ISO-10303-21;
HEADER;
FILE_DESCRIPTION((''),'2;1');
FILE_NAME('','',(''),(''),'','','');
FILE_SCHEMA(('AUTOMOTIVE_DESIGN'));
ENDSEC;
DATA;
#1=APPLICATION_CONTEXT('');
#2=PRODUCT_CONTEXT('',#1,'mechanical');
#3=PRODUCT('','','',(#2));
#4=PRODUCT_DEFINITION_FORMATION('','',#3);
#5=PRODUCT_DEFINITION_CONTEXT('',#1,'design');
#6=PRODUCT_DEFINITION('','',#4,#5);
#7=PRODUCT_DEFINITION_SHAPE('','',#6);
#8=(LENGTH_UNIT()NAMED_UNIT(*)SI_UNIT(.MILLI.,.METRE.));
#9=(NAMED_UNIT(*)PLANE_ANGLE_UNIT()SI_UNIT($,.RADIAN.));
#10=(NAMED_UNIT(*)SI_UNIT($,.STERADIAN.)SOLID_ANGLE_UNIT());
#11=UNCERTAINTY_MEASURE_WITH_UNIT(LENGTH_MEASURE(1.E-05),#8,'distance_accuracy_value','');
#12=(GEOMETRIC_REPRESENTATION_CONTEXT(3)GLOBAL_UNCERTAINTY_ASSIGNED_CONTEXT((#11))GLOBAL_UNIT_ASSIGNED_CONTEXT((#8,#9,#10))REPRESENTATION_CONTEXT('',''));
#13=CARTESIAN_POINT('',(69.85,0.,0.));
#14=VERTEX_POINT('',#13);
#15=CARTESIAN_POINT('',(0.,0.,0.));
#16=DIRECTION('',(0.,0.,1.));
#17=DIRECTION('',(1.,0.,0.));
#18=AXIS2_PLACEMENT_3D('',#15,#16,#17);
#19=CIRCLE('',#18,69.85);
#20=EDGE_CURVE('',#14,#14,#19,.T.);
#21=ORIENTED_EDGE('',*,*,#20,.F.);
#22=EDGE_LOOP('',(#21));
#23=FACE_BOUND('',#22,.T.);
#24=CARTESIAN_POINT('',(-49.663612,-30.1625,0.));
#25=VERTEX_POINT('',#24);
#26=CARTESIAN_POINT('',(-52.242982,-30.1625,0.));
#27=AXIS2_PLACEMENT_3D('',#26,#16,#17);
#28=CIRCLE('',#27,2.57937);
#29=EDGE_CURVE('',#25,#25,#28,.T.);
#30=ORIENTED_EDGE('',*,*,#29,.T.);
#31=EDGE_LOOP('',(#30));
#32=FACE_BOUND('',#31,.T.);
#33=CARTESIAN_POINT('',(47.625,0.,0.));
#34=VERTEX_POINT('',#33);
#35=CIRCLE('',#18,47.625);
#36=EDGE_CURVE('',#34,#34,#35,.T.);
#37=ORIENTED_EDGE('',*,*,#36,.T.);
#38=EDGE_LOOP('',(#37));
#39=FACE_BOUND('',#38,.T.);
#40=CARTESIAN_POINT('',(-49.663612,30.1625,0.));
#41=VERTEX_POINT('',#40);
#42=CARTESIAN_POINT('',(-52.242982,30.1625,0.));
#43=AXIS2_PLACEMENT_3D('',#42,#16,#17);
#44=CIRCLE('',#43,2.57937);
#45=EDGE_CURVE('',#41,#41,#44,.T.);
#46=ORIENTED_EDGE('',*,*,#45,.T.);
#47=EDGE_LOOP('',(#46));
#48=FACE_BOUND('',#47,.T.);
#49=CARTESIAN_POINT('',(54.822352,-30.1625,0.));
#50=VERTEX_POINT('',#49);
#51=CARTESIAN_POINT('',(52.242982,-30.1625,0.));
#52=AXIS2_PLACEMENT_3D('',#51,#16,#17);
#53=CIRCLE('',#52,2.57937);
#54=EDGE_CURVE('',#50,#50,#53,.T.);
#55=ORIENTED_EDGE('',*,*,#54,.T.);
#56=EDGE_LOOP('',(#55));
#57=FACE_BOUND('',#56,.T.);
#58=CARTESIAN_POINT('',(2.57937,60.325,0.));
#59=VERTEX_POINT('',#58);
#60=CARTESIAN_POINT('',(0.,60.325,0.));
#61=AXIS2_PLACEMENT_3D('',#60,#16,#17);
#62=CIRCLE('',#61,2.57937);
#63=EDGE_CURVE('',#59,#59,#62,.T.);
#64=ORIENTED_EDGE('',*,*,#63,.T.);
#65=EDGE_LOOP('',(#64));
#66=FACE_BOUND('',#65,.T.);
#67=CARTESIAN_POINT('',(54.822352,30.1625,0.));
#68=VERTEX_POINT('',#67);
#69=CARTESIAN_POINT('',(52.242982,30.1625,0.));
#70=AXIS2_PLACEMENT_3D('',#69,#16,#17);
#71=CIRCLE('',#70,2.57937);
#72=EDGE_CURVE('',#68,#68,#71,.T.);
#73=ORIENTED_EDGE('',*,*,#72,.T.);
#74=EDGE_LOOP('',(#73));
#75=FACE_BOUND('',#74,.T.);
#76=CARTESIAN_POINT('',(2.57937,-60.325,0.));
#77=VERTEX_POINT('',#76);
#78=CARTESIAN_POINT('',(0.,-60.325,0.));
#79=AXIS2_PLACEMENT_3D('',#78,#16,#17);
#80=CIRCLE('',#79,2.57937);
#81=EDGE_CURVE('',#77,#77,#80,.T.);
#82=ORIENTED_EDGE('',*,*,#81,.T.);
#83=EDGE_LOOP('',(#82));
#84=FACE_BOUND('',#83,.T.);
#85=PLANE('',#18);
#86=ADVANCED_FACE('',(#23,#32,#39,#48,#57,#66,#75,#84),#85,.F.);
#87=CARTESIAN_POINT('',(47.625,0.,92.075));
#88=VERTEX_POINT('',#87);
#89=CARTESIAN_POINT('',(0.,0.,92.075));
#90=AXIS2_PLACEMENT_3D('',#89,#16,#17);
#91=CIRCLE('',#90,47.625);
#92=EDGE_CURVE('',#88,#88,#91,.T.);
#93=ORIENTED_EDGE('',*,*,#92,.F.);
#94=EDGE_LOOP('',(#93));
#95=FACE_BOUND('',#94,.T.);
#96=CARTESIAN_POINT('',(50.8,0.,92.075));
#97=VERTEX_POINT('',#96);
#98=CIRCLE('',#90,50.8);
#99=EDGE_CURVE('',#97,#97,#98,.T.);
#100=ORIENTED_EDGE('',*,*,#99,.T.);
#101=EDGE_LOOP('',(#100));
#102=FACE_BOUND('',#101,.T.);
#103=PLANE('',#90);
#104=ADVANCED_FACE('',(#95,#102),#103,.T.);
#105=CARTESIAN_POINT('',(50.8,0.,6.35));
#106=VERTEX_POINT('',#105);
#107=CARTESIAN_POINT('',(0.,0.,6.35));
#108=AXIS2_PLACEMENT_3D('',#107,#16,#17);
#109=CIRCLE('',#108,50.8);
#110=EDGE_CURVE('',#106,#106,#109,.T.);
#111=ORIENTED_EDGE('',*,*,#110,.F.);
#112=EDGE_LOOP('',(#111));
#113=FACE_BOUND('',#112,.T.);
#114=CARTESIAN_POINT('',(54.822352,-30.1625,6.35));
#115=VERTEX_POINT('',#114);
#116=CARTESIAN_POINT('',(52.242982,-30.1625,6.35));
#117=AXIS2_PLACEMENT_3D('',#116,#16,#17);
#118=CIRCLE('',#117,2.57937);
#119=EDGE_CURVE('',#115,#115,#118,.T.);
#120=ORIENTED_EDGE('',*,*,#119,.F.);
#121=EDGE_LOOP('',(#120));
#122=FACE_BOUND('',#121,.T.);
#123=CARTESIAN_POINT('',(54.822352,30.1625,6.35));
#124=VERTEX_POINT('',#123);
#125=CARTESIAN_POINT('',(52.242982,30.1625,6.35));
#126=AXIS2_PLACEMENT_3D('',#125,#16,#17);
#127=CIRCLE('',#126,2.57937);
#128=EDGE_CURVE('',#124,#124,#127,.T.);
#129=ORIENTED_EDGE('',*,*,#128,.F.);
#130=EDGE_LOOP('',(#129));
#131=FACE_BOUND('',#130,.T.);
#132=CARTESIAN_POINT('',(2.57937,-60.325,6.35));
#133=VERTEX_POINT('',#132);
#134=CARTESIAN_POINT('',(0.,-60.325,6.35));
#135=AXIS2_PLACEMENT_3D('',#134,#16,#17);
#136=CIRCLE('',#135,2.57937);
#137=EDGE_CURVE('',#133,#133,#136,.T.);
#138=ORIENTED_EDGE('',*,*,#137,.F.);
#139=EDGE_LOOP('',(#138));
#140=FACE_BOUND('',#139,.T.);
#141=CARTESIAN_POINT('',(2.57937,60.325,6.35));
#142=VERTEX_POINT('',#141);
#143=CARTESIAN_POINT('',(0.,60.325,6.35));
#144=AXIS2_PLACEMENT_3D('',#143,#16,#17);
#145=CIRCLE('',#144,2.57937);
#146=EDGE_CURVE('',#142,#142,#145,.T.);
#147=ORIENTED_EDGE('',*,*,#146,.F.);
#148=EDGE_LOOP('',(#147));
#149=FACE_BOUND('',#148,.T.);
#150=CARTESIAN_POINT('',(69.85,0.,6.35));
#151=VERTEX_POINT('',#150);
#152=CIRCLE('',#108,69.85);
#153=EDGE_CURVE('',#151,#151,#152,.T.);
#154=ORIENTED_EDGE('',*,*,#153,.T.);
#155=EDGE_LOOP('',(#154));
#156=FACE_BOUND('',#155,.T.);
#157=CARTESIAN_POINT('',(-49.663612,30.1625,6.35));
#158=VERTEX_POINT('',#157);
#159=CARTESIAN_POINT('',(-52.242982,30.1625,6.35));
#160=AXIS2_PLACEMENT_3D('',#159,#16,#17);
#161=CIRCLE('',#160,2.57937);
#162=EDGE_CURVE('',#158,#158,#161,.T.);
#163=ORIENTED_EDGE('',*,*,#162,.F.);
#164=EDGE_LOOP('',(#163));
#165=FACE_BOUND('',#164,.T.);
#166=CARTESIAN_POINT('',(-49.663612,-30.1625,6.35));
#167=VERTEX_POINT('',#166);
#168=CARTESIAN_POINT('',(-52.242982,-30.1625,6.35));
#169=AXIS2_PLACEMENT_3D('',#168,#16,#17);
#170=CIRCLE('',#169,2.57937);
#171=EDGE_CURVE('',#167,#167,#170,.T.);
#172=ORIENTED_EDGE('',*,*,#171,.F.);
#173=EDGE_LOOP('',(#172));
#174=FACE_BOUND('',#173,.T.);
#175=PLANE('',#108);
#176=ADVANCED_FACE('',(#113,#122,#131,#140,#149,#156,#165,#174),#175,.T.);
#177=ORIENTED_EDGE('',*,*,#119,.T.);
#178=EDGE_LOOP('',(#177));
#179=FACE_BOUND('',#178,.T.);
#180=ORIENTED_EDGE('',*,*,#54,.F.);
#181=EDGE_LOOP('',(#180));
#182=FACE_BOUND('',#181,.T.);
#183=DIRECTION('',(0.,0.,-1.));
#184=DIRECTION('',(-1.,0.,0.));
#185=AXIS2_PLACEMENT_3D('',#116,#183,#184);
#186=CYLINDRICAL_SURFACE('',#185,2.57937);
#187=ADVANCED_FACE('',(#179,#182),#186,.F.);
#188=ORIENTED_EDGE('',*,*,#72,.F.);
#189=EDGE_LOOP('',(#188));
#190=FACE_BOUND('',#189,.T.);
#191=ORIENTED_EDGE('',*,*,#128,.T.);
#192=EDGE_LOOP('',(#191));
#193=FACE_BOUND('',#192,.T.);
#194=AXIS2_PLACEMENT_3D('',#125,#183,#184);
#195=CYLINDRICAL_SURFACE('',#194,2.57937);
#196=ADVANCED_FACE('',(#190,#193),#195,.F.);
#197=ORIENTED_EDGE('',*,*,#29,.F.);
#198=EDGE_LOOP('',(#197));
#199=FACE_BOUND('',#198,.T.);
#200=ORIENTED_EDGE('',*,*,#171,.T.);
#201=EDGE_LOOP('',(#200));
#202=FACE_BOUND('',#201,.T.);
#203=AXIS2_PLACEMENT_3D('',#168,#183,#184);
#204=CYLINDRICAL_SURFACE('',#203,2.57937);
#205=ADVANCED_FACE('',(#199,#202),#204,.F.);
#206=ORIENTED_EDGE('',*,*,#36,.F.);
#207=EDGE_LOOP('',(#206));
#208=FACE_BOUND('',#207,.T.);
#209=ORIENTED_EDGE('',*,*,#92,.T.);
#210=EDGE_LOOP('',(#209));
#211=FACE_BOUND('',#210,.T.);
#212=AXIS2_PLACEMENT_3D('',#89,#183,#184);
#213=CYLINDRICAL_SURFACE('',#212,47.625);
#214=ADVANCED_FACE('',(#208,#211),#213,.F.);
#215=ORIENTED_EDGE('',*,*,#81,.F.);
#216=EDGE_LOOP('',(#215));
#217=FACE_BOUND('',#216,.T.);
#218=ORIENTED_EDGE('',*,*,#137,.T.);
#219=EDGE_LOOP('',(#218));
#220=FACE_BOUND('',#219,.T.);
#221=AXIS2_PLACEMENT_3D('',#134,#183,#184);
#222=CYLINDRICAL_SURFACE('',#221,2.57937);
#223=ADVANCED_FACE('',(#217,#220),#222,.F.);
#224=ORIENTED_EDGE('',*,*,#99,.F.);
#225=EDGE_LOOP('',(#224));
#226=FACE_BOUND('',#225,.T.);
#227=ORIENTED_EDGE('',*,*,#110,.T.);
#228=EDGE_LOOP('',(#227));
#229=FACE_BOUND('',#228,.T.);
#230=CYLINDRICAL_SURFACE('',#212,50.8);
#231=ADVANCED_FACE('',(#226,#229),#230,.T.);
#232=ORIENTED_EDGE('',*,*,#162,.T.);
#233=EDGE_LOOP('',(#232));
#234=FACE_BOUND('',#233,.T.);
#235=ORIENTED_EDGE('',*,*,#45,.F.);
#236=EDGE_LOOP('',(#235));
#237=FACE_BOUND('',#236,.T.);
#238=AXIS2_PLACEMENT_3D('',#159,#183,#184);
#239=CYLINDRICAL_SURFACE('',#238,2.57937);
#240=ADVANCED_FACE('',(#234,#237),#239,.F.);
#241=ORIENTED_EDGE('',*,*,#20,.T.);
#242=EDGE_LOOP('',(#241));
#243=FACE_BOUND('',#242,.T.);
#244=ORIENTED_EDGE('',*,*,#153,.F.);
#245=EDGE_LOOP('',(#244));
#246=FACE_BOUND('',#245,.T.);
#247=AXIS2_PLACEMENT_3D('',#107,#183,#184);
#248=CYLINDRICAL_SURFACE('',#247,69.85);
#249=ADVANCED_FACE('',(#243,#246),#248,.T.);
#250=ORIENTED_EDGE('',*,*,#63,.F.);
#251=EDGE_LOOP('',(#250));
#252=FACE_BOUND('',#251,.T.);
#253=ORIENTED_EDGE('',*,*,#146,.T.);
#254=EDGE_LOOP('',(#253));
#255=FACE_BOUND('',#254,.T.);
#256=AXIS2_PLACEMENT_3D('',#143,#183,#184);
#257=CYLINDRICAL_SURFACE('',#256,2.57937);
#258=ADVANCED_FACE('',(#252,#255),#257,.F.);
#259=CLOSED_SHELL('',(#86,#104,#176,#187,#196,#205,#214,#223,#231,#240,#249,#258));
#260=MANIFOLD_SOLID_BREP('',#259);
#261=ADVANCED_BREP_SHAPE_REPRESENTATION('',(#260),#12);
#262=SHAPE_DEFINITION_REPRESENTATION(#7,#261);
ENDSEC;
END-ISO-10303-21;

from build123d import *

# Parameters (mm, degrees)
SKETCH1_R      = 69.85
SKETCH1_R_2    = 50.8
SKETCH1_R_3    = 2.57937
EXTRUDE1_DEPTH = 6.35
SKETCH2_R      = 50.8
SKETCH2_R_2    = 47.625
EXTRUDE2_DEPTH = 92.075


with BuildPart() as part:
    # Sketch1 → Extrude1 (new body)
    with BuildSketch(Plane.XY):
        Circle(SKETCH1_R)
        Circle(SKETCH1_R_2, mode=Mode.SUBTRACT)
        with Locations((0, 60.325)):
            Circle(SKETCH1_R_3, mode=Mode.SUBTRACT)
        with Locations((-52.242982483, 30.1625)):
            Circle(SKETCH1_R_3, mode=Mode.SUBTRACT)
        with Locations((-52.242982483, -30.1625)):
            Circle(SKETCH1_R_3, mode=Mode.SUBTRACT)
        with Locations((0, -60.325)):
            Circle(SKETCH1_R_3, mode=Mode.SUBTRACT)
        with Locations((52.242982483, -30.1625)):
            Circle(SKETCH1_R_3, mode=Mode.SUBTRACT)
        with Locations((52.242982483, 30.1625)):
            Circle(SKETCH1_R_3, mode=Mode.SUBTRACT)
    extrude(amount=EXTRUDE1_DEPTH)

    # Sketch2 → Extrude2 (add)
    with BuildSketch(Plane.XY):
        Circle(SKETCH2_R)
        Circle(SKETCH2_R_2, mode=Mode.SUBTRACT)
    extrude(amount=EXTRUDE2_DEPTH)


solid = part.part
